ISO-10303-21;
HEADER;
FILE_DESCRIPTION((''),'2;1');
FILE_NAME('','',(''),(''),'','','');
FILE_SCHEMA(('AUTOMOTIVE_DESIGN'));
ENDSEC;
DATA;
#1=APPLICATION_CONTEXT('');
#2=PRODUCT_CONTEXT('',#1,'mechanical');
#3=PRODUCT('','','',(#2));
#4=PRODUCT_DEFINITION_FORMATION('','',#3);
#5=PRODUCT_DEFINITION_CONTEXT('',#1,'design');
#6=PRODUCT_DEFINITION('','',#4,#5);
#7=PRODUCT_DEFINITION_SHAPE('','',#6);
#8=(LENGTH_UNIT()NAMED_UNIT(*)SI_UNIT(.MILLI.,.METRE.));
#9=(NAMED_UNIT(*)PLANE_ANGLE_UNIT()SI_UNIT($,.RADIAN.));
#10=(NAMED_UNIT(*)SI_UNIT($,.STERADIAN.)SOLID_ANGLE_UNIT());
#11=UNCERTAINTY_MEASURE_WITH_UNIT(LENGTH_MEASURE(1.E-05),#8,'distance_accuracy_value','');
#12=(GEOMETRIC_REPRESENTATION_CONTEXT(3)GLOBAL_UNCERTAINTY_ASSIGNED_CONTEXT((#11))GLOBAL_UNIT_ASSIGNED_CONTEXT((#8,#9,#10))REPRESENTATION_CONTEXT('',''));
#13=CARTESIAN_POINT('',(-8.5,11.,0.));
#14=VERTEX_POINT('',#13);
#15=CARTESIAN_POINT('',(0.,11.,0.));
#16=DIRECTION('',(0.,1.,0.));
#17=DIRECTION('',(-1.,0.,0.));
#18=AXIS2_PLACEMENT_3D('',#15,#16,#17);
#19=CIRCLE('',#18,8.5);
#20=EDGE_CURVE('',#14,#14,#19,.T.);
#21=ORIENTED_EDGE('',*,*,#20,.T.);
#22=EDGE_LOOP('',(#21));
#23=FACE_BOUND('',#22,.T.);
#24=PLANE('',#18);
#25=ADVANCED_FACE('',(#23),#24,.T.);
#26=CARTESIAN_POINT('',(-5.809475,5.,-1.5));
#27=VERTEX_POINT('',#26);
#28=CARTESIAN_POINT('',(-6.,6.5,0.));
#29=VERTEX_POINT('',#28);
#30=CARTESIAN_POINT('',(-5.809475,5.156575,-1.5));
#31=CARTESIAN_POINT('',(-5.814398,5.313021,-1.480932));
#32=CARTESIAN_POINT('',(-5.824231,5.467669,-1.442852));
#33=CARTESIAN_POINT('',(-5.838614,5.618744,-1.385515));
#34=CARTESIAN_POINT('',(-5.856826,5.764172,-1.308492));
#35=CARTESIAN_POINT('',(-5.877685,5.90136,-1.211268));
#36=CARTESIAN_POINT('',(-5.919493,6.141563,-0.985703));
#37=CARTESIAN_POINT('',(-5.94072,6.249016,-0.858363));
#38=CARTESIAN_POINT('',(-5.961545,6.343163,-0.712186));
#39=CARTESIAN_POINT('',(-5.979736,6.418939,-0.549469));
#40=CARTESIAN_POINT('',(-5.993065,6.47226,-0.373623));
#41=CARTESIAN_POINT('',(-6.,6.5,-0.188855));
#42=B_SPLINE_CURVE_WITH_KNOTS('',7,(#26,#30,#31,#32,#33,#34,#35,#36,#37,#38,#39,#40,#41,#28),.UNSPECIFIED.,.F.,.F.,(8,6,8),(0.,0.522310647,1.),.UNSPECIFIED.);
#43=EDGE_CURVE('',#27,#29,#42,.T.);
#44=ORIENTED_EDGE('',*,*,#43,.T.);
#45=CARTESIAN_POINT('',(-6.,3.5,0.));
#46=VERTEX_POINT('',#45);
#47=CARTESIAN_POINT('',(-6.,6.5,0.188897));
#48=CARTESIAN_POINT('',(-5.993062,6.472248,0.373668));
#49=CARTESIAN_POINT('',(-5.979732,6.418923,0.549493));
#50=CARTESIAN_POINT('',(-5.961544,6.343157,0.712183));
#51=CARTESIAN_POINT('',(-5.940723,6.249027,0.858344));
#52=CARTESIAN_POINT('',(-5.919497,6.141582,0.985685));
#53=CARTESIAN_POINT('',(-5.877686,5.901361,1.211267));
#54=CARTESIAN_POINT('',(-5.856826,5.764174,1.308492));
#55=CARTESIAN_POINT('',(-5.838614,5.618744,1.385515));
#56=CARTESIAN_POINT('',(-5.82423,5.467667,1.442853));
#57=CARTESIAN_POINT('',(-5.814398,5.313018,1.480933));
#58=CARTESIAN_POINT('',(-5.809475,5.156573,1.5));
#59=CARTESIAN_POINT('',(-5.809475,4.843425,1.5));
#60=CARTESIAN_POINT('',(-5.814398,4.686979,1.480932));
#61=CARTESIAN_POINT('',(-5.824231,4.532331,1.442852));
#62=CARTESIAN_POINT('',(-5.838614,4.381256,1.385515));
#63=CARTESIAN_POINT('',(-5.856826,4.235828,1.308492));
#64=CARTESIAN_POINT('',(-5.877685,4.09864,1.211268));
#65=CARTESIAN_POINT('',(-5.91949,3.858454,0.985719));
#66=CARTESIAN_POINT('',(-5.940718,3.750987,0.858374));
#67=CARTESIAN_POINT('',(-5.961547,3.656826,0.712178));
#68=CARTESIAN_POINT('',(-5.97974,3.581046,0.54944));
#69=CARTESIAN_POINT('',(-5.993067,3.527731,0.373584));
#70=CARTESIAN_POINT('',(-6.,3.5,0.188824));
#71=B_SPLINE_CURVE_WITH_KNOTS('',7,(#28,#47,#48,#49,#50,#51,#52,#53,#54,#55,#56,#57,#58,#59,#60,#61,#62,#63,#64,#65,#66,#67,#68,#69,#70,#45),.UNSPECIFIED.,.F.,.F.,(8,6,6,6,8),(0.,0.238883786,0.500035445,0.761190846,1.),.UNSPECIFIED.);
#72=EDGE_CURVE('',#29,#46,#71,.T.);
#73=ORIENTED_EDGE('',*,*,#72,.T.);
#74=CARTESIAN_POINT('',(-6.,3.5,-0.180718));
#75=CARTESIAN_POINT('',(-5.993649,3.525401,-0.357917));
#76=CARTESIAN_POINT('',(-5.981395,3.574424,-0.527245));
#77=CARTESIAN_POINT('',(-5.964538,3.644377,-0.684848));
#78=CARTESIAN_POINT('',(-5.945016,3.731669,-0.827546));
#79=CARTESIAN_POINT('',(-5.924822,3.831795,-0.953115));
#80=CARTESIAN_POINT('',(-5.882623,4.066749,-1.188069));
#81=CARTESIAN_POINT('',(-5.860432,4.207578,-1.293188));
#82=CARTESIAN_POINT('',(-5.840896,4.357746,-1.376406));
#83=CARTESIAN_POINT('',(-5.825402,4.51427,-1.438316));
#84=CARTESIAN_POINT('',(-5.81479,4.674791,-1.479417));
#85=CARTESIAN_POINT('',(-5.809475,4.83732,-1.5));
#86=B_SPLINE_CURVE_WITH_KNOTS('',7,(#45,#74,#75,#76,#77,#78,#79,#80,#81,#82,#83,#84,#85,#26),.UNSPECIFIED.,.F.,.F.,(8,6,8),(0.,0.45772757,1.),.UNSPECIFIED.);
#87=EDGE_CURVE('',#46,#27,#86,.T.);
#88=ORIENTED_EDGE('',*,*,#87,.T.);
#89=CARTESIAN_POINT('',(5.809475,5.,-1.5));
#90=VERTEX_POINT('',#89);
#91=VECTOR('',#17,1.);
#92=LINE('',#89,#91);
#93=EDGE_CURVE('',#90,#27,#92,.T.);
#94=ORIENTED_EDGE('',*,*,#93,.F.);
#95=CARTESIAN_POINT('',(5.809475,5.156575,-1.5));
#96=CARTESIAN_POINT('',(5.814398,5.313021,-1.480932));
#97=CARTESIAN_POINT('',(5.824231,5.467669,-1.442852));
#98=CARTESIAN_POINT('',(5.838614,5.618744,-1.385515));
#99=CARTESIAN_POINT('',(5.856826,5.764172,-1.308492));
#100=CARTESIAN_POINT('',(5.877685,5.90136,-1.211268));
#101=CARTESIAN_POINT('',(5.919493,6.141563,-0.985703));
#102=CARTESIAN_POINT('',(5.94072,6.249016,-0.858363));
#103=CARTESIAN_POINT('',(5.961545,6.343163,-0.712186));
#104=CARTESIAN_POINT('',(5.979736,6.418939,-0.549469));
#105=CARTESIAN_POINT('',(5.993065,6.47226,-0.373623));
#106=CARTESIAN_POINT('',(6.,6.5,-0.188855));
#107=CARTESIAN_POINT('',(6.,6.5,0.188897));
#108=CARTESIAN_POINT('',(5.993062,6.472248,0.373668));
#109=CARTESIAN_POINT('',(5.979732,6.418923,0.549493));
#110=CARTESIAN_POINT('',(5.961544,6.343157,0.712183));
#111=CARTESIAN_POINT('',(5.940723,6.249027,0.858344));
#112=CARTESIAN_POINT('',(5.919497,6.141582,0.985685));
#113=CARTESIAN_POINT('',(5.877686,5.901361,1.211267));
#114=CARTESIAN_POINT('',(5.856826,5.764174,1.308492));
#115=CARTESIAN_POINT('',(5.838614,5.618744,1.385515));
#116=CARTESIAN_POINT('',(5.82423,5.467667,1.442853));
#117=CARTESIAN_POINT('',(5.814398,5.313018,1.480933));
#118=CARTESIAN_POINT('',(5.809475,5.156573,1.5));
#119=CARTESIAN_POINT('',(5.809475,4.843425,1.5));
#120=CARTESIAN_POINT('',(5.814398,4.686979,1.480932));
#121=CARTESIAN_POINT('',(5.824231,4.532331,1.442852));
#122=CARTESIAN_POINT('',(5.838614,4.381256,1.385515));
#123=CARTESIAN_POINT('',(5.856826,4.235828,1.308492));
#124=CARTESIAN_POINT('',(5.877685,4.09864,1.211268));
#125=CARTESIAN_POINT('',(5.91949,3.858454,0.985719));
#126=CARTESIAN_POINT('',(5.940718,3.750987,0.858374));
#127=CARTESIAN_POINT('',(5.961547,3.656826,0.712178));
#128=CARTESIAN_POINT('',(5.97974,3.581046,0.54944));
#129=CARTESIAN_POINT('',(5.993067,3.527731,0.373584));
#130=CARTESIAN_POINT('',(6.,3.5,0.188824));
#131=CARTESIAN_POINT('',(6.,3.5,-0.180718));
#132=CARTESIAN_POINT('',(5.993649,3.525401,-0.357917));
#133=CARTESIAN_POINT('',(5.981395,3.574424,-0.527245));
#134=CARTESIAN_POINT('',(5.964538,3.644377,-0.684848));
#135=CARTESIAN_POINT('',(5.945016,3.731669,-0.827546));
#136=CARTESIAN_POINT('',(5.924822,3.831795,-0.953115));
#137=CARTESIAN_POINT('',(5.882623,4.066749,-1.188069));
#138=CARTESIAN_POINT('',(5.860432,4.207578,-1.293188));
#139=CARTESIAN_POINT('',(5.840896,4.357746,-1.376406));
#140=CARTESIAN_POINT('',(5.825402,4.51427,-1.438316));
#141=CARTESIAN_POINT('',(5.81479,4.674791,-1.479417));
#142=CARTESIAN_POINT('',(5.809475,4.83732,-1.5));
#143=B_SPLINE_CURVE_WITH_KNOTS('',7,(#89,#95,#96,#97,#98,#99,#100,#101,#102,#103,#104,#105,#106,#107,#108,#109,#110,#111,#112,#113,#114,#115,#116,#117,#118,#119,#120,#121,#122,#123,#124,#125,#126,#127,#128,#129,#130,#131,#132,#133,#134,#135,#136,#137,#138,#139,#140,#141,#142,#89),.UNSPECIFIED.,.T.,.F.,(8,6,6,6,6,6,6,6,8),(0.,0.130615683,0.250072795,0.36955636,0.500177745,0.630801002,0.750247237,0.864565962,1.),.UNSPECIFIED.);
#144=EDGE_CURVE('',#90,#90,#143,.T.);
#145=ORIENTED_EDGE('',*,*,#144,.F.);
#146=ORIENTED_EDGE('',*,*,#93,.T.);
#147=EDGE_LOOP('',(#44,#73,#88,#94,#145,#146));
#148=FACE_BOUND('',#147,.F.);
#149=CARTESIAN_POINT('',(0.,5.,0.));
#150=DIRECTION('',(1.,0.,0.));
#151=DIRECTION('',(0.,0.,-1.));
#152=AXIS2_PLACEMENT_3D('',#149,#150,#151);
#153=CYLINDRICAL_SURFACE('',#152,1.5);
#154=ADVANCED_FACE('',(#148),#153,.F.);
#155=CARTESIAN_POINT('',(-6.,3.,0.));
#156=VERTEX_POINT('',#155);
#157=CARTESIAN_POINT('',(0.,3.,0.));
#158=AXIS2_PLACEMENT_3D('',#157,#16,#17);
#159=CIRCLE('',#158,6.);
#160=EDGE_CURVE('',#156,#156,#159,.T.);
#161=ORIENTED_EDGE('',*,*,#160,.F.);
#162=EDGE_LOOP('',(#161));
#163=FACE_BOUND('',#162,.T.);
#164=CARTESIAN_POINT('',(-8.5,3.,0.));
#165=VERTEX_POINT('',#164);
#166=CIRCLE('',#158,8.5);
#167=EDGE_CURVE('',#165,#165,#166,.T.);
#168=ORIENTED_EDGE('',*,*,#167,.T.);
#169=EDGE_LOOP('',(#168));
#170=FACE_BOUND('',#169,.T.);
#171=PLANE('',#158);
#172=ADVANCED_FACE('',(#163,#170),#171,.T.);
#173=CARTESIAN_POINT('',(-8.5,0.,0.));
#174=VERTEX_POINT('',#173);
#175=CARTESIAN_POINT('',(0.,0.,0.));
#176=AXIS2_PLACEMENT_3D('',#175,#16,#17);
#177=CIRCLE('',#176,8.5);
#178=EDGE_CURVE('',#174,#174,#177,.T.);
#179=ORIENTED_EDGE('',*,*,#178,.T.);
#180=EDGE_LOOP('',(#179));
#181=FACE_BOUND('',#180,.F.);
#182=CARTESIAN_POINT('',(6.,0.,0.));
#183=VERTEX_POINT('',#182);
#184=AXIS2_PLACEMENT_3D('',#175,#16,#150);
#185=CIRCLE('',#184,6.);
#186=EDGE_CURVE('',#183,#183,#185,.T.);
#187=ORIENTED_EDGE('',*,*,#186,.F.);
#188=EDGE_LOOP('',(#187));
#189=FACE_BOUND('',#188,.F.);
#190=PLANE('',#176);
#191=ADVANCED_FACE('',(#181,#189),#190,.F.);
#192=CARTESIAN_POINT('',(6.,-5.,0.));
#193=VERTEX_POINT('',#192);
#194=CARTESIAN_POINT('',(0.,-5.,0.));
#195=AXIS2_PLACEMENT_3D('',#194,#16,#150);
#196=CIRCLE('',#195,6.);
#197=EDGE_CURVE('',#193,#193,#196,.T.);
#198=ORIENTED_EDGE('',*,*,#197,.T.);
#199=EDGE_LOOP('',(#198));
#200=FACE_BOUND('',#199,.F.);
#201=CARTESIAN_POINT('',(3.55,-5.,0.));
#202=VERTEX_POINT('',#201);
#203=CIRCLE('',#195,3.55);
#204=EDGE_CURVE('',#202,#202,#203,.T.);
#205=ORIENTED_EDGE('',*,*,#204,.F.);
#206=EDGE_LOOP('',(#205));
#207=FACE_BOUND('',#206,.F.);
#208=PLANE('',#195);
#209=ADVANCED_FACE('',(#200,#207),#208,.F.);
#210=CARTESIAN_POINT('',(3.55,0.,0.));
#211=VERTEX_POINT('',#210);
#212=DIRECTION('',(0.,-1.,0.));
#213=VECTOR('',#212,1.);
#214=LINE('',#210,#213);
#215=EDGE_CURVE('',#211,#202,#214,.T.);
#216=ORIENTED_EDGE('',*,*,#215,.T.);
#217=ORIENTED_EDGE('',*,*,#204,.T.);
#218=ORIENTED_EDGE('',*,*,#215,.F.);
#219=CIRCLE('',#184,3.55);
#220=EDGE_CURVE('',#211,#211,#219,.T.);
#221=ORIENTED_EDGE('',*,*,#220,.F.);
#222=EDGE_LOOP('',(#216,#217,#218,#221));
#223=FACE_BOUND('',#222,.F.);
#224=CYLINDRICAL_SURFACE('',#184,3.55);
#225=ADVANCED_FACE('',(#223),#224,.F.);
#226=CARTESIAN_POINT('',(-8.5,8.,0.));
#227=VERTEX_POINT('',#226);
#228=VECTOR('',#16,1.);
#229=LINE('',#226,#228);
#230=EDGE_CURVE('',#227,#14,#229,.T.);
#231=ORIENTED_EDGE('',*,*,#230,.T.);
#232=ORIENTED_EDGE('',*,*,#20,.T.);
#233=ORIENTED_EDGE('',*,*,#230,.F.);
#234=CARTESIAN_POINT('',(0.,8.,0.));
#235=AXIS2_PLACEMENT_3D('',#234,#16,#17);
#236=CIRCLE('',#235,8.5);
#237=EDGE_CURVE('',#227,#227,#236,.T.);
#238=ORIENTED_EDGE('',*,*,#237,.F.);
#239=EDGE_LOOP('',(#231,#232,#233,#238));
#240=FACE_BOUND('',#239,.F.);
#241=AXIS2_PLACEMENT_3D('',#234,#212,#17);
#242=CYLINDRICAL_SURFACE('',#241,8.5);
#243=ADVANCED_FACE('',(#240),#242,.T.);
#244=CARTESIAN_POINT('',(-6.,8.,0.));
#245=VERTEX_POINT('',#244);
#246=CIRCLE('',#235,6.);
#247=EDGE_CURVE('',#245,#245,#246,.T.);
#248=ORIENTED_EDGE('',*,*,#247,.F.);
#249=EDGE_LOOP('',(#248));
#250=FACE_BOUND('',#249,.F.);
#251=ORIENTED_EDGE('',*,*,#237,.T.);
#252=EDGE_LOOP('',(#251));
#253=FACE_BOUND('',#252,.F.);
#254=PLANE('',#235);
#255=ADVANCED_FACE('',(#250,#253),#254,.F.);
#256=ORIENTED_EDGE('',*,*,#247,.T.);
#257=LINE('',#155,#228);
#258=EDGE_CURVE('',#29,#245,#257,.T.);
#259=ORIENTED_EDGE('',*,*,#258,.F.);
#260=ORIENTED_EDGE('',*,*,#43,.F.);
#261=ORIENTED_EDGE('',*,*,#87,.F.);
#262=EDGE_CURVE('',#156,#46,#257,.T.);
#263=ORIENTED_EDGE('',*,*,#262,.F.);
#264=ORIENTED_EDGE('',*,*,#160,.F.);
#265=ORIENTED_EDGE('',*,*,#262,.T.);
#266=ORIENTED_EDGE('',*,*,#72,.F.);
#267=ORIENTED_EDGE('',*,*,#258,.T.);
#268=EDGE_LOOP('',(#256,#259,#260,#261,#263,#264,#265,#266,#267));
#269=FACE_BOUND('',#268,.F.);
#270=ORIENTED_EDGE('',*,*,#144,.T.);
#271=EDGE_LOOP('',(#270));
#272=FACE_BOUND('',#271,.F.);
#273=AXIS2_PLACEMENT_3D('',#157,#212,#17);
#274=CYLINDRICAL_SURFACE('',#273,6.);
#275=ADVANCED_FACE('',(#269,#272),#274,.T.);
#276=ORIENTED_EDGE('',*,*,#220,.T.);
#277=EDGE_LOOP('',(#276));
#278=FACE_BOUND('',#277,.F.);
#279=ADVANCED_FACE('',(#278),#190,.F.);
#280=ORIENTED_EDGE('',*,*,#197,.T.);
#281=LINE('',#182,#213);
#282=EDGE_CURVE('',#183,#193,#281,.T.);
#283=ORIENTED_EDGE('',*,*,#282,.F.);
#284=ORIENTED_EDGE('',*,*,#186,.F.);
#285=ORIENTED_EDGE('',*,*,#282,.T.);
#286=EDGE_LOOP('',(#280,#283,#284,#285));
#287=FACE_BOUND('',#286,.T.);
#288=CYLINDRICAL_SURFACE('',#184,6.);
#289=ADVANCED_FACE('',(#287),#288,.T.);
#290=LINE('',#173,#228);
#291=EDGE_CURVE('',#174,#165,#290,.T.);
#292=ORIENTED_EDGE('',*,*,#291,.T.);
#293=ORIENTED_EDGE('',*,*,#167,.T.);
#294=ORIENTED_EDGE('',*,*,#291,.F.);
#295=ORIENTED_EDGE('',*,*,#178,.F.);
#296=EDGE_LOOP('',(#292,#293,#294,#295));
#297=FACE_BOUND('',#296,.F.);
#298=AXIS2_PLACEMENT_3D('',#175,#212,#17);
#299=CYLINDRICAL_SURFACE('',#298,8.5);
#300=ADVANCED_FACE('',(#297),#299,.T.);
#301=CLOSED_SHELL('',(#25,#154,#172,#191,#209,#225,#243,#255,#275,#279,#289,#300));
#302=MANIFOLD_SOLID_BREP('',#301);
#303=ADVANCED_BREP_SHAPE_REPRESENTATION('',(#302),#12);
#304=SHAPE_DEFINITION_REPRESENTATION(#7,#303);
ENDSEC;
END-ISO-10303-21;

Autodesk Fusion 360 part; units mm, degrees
sketch "Sketch1" plane through (0, 0, 0) normal (0, 1, 0) x (1, 0, 0)
  circle A0 centre (0, 0) radius 3.55
  circle A1 centre (0, 0) radius 6
  dimension "d1" = 7.1
  dimension "d2" = 12
extrude "Extrude1" add sketch "Sketch1" against normal blind 5
sketch "Sketch2" plane through (0, 0, 0) normal (0, 1, 0) x (-1, 0, 0)
  circle A0 centre (0, 0) radius 3.55
  circle A1 centre (0, 0) radius 6
  circle A2 centre (0, 0) radius 8.5
  dimension "d5" = 17
extrude "Extrude2" add sketch "Sketch2" along normal blind 3 contours A0 | A1 | A2
sketch "Sketch3" plane through (0, 3, 0) normal (0, 1, 0) x (-1, 0, 0)
  circle A0 centre (0, 0) radius 8.5
  circle A1 centre (0, 0) radius 6
  dimension "d8" = 12
extrude "Extrude3" add sketch "Sketch3" along normal blind 5 contours A1
sketch "Sketch4" plane through (0, 8, 0) normal (0, 1, 0) x (-1, 0, 0)
  circle A0 centre (0, 0) radius 6
  circle A1 centre (0, 0) radius 8.5
extrude "Extrude4" add sketch "Sketch4" along normal blind 3 contours A0 | A1
sketch "Sketch5" plane through (0, 0, 0) normal (1, 0, 0) x (0, 0, -1)
  circle A0 centre (0, 5) radius 1.5
  dimension "d13" = 3
extrude "Extrude5" cut sketch "Sketch5" along normal blind 10 and the other way blind 12
